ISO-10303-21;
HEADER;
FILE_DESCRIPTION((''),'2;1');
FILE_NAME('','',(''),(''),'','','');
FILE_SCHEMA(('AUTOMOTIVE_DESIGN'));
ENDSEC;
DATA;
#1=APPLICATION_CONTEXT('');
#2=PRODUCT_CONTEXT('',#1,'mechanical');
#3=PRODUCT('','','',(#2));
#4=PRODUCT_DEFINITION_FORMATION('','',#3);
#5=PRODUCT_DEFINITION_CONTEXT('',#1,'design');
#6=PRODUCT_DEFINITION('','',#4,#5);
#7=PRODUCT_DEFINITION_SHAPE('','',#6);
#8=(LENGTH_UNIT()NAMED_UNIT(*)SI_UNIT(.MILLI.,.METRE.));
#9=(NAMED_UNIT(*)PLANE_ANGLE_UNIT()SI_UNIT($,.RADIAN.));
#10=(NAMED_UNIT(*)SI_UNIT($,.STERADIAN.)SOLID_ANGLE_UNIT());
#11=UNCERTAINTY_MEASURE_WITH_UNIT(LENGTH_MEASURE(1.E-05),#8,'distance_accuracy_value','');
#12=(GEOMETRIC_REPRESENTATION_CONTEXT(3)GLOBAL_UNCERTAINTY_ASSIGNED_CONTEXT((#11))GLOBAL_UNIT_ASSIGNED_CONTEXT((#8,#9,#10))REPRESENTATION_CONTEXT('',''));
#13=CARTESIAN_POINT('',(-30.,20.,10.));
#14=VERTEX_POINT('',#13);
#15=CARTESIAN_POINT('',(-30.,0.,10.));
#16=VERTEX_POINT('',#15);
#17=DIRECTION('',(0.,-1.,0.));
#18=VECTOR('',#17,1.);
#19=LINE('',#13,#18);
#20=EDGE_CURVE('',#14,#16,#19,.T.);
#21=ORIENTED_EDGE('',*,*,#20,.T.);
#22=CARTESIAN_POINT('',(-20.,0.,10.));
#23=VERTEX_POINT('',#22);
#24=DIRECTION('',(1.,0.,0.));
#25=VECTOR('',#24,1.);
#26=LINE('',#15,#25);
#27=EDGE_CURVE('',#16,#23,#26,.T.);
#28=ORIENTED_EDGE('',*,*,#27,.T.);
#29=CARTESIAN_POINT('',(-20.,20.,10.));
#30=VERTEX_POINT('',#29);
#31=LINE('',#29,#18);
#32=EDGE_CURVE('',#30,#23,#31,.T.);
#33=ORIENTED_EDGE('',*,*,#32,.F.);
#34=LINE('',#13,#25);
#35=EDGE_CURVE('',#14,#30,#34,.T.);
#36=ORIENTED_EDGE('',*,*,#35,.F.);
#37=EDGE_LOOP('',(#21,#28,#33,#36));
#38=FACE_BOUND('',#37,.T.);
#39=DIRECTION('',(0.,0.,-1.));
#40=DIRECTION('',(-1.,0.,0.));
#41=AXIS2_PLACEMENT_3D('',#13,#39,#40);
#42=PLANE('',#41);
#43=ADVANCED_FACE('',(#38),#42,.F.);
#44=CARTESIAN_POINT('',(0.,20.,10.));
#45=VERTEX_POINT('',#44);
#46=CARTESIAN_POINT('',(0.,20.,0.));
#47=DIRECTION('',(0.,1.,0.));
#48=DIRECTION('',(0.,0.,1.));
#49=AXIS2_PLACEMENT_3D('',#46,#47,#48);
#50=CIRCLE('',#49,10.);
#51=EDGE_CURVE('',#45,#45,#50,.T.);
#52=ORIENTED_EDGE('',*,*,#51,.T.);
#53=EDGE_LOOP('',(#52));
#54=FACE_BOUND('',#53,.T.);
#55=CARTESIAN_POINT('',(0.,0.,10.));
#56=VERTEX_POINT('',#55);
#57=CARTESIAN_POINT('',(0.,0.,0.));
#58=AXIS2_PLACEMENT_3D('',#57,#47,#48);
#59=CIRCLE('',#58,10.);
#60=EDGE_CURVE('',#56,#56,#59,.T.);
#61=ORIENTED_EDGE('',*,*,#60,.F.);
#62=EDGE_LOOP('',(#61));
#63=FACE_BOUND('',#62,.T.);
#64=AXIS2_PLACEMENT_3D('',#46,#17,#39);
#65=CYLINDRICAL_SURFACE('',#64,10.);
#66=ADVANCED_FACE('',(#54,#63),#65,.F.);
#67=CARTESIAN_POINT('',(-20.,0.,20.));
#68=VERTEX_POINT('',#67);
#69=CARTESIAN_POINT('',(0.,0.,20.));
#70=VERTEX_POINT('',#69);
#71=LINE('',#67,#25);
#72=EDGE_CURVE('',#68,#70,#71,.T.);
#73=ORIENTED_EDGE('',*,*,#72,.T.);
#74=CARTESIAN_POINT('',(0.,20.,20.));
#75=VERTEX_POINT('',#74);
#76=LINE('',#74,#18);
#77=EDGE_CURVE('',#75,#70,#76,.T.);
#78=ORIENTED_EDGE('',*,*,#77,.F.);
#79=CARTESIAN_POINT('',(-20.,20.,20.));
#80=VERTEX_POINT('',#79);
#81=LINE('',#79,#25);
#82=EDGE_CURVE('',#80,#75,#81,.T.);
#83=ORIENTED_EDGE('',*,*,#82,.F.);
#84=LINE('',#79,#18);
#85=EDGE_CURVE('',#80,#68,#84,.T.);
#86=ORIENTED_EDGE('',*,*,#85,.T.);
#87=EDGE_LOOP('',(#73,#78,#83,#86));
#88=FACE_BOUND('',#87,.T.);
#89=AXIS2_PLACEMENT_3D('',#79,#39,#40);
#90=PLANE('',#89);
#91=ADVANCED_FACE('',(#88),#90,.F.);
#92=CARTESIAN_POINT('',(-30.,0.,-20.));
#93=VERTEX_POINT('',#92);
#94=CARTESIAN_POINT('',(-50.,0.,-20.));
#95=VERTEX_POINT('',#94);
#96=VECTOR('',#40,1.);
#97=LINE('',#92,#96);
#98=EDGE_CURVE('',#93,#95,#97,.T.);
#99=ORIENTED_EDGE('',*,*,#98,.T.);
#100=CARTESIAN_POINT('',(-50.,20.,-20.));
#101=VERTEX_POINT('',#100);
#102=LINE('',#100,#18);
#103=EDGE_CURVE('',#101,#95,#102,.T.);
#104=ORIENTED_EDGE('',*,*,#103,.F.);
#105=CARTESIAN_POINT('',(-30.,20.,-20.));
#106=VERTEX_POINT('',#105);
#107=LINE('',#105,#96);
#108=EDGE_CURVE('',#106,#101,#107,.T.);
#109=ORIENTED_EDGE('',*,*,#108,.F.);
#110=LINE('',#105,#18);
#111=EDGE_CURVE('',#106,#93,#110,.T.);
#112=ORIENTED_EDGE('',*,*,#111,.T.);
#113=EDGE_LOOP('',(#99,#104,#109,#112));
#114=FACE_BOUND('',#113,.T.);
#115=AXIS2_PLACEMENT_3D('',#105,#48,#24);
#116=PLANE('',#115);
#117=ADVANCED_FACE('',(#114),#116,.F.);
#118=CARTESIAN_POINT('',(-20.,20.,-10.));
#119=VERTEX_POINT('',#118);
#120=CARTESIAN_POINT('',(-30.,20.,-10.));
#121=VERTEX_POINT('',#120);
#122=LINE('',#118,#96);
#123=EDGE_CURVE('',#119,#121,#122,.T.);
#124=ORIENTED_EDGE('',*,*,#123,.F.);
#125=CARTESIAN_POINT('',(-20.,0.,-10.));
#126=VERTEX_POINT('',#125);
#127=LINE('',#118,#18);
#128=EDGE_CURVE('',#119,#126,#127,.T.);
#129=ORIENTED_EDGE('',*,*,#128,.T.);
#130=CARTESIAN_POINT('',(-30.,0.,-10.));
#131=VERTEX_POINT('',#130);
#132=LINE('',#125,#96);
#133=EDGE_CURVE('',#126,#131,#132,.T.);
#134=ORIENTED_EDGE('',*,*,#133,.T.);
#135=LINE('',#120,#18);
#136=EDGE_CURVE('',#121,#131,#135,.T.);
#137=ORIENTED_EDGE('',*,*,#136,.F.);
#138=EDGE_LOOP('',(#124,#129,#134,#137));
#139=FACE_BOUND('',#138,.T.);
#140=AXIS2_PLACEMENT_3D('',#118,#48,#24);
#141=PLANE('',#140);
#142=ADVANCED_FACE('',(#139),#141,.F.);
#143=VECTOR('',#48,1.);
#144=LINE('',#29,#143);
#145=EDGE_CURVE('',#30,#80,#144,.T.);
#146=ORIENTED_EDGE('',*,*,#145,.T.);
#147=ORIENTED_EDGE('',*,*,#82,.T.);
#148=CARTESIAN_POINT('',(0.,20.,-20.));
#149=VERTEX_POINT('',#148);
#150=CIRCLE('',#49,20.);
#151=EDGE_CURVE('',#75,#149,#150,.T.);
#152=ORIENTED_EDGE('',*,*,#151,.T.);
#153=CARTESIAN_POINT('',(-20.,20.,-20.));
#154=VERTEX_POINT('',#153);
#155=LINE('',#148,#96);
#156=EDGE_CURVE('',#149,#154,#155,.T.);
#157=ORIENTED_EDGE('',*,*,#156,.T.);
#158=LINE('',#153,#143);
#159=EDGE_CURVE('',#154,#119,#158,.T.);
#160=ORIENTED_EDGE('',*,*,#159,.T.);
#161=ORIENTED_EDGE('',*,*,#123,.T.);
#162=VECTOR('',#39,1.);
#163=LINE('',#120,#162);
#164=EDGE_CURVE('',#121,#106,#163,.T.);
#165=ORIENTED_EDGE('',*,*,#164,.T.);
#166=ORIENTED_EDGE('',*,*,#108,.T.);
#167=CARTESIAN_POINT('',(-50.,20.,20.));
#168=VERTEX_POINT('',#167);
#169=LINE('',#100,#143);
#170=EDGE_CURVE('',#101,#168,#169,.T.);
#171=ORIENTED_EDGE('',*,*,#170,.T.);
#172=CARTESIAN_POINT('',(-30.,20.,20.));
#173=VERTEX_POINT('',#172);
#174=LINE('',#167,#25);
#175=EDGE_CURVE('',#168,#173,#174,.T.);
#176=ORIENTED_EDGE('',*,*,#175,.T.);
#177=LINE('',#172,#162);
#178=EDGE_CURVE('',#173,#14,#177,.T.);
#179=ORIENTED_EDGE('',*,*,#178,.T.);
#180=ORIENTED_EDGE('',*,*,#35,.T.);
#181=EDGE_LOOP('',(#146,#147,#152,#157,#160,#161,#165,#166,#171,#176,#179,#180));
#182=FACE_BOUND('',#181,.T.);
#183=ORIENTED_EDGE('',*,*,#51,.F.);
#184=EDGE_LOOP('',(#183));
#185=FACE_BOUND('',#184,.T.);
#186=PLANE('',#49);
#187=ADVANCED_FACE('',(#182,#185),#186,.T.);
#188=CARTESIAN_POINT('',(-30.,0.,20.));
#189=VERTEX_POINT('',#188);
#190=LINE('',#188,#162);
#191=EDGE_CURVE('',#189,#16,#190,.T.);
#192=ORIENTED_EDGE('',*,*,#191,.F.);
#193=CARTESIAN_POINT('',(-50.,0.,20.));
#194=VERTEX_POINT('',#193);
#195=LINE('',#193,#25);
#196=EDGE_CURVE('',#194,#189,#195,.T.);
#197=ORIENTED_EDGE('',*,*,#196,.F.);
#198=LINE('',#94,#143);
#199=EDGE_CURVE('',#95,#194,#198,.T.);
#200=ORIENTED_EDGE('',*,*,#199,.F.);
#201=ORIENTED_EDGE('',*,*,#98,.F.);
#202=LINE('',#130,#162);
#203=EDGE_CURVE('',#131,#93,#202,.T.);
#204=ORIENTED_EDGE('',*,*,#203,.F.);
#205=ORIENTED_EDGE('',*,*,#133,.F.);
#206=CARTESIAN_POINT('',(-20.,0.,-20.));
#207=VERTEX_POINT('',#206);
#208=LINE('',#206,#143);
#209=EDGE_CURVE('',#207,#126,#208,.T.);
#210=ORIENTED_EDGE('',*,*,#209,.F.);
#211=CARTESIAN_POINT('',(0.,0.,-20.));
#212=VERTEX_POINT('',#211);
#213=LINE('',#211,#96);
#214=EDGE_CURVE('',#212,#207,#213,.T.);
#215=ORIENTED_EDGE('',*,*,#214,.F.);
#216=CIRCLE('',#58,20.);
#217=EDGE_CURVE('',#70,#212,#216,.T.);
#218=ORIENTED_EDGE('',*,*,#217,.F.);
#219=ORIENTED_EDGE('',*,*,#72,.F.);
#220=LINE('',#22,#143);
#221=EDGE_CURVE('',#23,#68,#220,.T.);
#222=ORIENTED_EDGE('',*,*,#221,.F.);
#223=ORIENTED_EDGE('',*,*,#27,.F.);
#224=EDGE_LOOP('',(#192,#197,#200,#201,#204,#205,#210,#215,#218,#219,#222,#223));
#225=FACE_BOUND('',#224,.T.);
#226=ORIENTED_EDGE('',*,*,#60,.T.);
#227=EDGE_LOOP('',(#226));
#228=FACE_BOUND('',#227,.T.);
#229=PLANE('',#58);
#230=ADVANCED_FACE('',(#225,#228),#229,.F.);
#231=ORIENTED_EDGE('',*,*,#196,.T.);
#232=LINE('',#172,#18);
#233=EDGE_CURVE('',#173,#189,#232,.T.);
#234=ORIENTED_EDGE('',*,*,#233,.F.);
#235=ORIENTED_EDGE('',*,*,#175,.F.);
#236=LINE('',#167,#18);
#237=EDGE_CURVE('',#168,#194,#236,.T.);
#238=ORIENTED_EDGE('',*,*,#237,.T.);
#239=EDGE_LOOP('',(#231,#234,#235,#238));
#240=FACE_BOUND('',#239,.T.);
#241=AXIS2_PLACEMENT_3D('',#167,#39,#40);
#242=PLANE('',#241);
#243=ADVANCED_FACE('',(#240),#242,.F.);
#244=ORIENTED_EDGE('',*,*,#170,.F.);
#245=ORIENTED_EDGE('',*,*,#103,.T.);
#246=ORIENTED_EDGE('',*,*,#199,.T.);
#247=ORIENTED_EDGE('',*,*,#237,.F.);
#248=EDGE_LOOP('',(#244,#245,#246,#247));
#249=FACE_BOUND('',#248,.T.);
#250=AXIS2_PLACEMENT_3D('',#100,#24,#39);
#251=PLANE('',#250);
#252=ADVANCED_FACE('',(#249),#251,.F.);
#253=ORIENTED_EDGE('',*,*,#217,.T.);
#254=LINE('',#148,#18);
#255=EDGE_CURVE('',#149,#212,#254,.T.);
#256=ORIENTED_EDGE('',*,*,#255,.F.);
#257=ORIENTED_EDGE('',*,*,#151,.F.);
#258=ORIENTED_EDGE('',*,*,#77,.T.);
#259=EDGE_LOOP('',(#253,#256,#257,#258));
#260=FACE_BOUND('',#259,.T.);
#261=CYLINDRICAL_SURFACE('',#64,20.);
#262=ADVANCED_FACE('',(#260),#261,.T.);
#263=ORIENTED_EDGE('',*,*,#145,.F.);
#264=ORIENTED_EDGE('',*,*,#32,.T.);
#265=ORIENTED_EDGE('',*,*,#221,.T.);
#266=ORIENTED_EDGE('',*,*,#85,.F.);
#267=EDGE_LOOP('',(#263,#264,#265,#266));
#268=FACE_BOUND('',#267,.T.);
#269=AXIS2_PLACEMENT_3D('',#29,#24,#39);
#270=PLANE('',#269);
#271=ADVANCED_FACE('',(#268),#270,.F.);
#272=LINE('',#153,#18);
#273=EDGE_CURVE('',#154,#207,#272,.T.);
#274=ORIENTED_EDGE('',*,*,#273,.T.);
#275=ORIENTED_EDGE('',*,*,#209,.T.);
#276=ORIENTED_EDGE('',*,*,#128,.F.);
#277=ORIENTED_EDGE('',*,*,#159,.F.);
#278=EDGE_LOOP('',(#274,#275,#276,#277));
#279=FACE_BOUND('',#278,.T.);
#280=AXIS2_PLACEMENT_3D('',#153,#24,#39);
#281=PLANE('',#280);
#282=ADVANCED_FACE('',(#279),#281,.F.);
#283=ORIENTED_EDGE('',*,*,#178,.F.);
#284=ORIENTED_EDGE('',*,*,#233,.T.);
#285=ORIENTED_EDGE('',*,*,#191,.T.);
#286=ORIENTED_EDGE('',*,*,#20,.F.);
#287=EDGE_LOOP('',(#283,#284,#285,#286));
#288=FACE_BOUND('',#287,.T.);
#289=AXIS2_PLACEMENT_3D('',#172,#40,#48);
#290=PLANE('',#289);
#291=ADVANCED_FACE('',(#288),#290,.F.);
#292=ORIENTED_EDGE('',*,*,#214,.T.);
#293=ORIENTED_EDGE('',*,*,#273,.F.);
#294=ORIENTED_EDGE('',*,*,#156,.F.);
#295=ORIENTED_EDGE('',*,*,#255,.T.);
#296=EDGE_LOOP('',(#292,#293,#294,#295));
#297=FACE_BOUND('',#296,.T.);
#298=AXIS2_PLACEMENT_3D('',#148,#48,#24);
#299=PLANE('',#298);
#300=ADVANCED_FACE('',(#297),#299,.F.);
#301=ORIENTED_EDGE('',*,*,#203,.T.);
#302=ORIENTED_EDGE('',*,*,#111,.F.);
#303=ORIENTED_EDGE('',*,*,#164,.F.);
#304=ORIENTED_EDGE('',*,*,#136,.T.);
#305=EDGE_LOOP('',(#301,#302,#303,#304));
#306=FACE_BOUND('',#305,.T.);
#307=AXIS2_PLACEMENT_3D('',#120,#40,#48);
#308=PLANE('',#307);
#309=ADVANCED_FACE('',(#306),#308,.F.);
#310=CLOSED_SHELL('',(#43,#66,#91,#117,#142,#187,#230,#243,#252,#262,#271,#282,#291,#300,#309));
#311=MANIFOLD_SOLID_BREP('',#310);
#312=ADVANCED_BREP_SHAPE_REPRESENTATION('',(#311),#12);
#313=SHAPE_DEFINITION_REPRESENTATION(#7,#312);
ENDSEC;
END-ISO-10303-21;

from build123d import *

# Parameters (mm, degrees)
SKETCH1_R           = 10
BOSS_EXTRUDE1_DEPTH = 20


with BuildPart() as part:
    # Sketch1 → Boss-Extrude1 (new body)
    with BuildSketch(Plane(origin=(0, 0, 0), x_dir=(1, 0, 0), z_dir=(0, 1, 0))):
        with BuildLine():
            Line((0, 20), (-20, 20))
            Line((-20, 20), (-20, 10))
            Line((-20, 10), (-30, 10))
            Line((-30, 10), (-30, 20))
            Line((-30, 20), (-50, 20))
            Line((-50, 20), (-50, -20))
            Line((-50, -20), (-30, -20))
            Line((-30, -20), (-30, -10))
            Line((-30, -10), (-20, -10))
            Line((-20, -10), (-20, -20))
            Line((-20, -20), (0, -20))
            ThreePointArc((0, -20), (20, 0), (0, 20))
        make_face()
        with Locations(Location((0, 0, 0), (0, 0, 270))):
            Circle(SKETCH1_R, mode=Mode.SUBTRACT)
    extrude(amount=BOSS_EXTRUDE1_DEPTH)


solid = part.part
